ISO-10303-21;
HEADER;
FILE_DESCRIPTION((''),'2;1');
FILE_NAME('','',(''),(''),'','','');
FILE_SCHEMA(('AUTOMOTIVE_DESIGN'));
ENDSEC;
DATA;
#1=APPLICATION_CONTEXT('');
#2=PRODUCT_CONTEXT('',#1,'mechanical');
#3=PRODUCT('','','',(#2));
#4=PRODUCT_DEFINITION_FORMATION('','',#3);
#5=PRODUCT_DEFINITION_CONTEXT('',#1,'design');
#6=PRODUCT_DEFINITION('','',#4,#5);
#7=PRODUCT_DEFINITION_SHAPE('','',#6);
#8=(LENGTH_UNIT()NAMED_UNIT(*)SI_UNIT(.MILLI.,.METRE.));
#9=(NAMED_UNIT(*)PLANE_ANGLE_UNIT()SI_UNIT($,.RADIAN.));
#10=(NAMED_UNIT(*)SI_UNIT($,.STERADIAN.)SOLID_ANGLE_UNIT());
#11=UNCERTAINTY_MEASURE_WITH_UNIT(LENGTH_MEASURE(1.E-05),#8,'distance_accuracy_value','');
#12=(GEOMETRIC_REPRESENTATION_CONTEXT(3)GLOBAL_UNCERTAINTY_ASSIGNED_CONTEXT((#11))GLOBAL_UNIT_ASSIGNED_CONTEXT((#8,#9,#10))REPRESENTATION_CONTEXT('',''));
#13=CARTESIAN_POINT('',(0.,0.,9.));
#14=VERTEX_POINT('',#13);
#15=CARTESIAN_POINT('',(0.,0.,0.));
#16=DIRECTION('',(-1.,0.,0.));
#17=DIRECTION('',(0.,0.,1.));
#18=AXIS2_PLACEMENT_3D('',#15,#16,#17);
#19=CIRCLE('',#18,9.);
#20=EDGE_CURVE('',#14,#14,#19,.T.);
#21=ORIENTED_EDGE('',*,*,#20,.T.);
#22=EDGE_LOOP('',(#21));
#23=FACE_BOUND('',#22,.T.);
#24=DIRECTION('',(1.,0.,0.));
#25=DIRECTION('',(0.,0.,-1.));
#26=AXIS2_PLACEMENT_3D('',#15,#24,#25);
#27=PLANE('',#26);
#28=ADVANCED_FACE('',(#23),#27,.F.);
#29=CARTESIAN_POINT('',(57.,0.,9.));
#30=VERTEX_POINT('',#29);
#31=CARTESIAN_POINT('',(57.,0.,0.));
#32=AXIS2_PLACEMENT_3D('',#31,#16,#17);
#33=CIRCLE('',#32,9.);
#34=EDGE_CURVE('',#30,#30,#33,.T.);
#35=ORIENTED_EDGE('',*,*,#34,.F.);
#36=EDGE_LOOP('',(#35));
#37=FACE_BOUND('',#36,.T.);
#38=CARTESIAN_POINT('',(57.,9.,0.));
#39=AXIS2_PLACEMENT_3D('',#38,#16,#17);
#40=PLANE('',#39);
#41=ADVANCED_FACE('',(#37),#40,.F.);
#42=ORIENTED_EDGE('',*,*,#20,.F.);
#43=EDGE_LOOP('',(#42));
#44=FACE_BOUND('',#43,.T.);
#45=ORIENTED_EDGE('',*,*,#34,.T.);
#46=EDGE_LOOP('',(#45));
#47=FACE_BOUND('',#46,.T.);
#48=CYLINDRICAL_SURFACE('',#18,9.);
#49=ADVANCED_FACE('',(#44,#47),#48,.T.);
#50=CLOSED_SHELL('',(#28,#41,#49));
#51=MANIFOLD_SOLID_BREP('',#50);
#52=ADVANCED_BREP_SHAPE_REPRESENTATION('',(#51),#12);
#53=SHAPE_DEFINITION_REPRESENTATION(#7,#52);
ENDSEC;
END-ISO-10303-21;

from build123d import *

# Parameters (mm, degrees)
SKETCH_1_W = 57
SKETCH_1_H = 9


with BuildPart() as part:
    # 草图1 → 旋转1 (revolve)
    with BuildSketch(Plane.XY, mode=Mode.PRIVATE) as revolve_1_sk:
        with Locations((28.5, 4.5)):
            Rectangle(SKETCH_1_W, SKETCH_1_H)
    revolve(revolve_1_sk.sketch.rotate(Axis((0, 0, 0), (1, 0, 0)), 90), axis=Axis((0, 0, 0), (1, 0, 0)))


solid = part.part
